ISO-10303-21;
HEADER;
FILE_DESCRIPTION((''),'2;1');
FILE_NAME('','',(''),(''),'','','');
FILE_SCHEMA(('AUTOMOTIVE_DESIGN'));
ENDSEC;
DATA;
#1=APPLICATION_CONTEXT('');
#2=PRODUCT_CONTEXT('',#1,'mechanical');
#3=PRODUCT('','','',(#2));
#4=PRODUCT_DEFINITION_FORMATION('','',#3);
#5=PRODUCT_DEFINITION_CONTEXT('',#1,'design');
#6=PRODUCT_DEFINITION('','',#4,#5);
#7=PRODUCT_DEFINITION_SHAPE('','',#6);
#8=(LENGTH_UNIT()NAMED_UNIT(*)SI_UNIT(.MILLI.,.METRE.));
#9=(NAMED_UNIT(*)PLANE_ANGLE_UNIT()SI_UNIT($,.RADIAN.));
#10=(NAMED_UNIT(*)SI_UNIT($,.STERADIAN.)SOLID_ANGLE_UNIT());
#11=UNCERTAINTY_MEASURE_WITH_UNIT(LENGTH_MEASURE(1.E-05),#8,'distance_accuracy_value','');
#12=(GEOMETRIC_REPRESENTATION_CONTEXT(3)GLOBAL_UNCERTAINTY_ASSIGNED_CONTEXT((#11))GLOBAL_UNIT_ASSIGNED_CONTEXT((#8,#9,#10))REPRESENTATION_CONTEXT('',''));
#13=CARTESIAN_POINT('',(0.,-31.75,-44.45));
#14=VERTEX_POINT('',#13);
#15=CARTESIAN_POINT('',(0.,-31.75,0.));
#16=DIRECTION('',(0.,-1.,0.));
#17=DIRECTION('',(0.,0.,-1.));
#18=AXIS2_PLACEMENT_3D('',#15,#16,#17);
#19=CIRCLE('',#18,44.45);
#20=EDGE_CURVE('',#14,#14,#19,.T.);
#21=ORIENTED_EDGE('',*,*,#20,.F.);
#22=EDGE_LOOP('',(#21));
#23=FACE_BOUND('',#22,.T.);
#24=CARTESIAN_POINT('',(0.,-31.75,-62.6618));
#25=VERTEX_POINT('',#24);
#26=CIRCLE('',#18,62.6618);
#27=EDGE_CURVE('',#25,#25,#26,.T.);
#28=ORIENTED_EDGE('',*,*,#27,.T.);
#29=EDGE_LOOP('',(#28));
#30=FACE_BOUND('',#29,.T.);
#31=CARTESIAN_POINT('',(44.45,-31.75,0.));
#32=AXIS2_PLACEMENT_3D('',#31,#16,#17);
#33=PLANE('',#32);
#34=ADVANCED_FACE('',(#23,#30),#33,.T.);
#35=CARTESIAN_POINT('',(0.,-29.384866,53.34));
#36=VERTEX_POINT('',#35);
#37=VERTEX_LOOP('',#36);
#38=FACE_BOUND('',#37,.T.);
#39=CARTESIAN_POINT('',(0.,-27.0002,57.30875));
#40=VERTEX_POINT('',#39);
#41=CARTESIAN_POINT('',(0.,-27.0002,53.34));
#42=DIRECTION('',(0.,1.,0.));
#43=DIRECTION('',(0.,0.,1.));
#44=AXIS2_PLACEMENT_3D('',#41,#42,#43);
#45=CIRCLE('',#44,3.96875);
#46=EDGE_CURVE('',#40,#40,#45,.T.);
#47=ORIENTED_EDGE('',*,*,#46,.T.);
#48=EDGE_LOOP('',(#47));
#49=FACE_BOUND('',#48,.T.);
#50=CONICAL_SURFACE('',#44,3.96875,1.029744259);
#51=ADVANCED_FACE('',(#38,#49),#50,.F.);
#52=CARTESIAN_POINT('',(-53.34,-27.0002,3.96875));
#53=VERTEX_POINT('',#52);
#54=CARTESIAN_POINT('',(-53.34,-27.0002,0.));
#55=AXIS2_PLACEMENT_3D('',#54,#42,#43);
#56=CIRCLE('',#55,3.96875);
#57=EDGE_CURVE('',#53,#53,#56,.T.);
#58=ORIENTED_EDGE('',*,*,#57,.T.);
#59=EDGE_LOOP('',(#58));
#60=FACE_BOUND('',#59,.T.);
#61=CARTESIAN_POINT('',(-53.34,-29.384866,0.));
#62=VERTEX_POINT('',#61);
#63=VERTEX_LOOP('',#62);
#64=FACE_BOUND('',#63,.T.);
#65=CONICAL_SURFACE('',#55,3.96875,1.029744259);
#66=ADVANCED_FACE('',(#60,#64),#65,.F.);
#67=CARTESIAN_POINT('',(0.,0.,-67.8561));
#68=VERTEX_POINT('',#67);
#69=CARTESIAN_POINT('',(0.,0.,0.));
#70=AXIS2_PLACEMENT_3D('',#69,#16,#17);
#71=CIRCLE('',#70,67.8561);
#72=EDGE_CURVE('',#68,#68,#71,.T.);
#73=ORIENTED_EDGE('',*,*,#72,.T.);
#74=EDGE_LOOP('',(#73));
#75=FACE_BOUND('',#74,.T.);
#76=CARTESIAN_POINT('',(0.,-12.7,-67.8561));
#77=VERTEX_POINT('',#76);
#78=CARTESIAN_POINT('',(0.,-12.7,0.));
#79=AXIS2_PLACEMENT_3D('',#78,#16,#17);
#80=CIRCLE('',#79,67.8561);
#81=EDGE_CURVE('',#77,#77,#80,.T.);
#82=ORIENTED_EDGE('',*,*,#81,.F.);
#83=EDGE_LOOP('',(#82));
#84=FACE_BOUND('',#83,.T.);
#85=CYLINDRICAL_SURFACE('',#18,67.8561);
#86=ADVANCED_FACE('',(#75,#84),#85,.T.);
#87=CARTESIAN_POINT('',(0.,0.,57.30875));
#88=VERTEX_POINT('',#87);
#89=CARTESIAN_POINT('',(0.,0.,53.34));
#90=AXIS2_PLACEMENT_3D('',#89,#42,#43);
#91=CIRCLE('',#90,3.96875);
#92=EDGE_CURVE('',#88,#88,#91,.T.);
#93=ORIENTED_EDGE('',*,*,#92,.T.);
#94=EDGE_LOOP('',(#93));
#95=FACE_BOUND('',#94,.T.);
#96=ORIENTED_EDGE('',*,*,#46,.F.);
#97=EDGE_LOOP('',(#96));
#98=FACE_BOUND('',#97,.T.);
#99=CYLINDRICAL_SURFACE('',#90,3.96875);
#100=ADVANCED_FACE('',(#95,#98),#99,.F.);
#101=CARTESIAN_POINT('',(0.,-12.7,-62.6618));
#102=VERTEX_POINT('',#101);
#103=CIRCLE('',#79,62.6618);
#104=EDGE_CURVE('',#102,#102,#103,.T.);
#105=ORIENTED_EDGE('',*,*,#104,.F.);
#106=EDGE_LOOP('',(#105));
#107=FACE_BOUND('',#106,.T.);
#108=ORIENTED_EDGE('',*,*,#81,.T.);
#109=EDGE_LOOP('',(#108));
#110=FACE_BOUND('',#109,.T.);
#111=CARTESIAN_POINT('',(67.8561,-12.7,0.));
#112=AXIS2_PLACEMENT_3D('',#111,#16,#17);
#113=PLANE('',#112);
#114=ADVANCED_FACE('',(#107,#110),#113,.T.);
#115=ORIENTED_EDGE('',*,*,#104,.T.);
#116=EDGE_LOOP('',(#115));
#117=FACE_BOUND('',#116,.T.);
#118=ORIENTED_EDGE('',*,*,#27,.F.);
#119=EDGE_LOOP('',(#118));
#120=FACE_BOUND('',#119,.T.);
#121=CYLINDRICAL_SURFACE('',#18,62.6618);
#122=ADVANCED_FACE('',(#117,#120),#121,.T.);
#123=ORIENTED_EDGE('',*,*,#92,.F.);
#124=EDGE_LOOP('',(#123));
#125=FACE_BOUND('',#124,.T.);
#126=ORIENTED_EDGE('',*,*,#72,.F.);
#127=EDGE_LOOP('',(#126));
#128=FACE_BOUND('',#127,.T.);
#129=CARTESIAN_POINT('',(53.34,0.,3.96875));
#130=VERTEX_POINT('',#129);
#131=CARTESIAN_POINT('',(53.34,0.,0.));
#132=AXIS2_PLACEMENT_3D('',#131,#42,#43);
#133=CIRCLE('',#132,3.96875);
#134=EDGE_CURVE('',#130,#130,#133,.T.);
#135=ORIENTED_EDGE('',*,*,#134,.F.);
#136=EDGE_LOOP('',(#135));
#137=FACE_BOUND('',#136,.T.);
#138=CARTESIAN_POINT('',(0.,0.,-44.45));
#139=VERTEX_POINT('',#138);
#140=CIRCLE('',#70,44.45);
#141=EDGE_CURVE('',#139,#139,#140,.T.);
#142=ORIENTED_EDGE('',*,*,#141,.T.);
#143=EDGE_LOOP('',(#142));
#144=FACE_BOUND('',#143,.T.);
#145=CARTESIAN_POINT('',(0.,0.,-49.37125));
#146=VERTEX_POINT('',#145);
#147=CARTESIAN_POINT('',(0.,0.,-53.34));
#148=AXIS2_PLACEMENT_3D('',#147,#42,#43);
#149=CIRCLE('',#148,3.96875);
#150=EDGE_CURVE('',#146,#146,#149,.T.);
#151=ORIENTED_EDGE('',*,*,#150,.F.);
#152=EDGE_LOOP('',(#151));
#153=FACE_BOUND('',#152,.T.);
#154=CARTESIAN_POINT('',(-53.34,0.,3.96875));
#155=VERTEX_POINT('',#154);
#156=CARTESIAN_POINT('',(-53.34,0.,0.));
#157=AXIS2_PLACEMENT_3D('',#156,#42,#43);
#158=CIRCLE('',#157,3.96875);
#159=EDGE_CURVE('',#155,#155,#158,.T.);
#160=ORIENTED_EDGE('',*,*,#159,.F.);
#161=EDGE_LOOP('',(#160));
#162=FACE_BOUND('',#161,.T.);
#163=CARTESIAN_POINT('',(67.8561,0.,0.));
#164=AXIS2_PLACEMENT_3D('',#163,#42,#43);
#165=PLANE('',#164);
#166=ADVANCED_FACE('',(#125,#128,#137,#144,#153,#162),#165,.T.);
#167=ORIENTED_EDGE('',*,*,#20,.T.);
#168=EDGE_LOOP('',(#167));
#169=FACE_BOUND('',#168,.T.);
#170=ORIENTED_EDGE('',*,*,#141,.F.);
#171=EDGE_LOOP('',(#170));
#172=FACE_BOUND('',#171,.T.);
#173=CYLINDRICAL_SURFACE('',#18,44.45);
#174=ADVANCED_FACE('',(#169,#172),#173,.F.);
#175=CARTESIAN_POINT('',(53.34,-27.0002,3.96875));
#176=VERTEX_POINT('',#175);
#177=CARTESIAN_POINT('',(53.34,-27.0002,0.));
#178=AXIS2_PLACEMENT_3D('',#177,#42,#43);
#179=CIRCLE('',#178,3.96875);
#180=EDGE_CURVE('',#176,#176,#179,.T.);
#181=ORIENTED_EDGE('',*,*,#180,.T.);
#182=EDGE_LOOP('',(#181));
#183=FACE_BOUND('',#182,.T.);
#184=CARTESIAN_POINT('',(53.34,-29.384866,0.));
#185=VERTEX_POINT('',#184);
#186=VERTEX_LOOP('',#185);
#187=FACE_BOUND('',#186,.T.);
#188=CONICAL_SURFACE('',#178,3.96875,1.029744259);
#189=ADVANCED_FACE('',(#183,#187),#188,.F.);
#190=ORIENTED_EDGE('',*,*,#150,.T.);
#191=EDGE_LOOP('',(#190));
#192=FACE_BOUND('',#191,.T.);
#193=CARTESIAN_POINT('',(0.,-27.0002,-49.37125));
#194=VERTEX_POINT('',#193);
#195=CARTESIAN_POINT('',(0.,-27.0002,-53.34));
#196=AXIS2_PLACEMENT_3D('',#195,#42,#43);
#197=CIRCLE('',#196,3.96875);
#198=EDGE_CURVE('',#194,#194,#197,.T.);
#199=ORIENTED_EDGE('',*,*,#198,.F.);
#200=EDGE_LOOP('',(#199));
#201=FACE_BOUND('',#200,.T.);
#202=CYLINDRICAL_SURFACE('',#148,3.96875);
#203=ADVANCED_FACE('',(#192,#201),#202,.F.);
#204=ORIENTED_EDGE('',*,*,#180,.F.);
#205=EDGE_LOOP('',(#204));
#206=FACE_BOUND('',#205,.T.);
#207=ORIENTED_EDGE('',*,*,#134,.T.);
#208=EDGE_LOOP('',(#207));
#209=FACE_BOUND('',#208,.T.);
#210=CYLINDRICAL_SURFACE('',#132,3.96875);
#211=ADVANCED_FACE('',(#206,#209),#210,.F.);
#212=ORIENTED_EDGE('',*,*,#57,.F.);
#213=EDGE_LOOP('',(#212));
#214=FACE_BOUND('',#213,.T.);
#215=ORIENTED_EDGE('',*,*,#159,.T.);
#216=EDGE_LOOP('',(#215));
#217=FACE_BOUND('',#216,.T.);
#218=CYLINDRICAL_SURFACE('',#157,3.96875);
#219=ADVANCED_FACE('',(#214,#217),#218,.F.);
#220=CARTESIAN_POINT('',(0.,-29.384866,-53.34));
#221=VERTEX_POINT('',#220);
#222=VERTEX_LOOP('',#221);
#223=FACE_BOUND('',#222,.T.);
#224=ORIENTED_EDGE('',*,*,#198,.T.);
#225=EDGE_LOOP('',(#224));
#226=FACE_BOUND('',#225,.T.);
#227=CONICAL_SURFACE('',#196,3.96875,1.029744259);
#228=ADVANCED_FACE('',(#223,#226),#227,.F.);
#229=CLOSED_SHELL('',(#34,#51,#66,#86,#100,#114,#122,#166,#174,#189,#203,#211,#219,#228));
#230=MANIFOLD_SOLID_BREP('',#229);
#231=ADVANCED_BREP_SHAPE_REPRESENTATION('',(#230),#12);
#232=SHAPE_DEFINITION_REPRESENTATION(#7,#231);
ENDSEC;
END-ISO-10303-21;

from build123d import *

# Parameters (mm, degrees)
CIRPATTERN1_COUNT = 4


with BuildPart() as part:
    # Sketch1 → Revolve1 (revolve)
    with BuildSketch(Plane.XY, mode=Mode.PRIVATE) as revolve1_sk:
        Polygon((67.8561, 0), (44.45, 0), (44.45, -31.75), (62.6618, -31.75), (62.6618, -12.7), (67.8561, -12.7), align=None)
    revolve(revolve1_sk.sketch.rotate(Axis((0, -31.75, 0), (0, 1, 0)), 90), axis=Axis((0, -31.75, 0), (0, 1, 0)))

    # Sketch3 → 3/8-16 Tapped Hole1 (revolve, cut)
    with BuildSketch(Plane(origin=(0, 0, -53.34), x_dir=(0, 0, 1), z_dir=(1, 0, 0))):
        Polygon((0, 0), (0, 29.384865582), (3.96875, 27.0002), (3.96875, 0), align=None)
    f_3_8_16_tapped_hole1 = revolve(axis=Axis((0, 6.35, -53.34), (0, -1, 0)), mode=Mode.SUBTRACT)

    # CirPattern1: 3/8-16 Tapped Hole1 ×4 about axis
    cirpattern1_axis = Axis((0, 0, 0), (0, 1, 0))
    for i in range(1, CIRPATTERN1_COUNT):
        add(f_3_8_16_tapped_hole1.rotate(cirpattern1_axis, i * 360 / CIRPATTERN1_COUNT), mode=Mode.SUBTRACT)


solid = part.part
